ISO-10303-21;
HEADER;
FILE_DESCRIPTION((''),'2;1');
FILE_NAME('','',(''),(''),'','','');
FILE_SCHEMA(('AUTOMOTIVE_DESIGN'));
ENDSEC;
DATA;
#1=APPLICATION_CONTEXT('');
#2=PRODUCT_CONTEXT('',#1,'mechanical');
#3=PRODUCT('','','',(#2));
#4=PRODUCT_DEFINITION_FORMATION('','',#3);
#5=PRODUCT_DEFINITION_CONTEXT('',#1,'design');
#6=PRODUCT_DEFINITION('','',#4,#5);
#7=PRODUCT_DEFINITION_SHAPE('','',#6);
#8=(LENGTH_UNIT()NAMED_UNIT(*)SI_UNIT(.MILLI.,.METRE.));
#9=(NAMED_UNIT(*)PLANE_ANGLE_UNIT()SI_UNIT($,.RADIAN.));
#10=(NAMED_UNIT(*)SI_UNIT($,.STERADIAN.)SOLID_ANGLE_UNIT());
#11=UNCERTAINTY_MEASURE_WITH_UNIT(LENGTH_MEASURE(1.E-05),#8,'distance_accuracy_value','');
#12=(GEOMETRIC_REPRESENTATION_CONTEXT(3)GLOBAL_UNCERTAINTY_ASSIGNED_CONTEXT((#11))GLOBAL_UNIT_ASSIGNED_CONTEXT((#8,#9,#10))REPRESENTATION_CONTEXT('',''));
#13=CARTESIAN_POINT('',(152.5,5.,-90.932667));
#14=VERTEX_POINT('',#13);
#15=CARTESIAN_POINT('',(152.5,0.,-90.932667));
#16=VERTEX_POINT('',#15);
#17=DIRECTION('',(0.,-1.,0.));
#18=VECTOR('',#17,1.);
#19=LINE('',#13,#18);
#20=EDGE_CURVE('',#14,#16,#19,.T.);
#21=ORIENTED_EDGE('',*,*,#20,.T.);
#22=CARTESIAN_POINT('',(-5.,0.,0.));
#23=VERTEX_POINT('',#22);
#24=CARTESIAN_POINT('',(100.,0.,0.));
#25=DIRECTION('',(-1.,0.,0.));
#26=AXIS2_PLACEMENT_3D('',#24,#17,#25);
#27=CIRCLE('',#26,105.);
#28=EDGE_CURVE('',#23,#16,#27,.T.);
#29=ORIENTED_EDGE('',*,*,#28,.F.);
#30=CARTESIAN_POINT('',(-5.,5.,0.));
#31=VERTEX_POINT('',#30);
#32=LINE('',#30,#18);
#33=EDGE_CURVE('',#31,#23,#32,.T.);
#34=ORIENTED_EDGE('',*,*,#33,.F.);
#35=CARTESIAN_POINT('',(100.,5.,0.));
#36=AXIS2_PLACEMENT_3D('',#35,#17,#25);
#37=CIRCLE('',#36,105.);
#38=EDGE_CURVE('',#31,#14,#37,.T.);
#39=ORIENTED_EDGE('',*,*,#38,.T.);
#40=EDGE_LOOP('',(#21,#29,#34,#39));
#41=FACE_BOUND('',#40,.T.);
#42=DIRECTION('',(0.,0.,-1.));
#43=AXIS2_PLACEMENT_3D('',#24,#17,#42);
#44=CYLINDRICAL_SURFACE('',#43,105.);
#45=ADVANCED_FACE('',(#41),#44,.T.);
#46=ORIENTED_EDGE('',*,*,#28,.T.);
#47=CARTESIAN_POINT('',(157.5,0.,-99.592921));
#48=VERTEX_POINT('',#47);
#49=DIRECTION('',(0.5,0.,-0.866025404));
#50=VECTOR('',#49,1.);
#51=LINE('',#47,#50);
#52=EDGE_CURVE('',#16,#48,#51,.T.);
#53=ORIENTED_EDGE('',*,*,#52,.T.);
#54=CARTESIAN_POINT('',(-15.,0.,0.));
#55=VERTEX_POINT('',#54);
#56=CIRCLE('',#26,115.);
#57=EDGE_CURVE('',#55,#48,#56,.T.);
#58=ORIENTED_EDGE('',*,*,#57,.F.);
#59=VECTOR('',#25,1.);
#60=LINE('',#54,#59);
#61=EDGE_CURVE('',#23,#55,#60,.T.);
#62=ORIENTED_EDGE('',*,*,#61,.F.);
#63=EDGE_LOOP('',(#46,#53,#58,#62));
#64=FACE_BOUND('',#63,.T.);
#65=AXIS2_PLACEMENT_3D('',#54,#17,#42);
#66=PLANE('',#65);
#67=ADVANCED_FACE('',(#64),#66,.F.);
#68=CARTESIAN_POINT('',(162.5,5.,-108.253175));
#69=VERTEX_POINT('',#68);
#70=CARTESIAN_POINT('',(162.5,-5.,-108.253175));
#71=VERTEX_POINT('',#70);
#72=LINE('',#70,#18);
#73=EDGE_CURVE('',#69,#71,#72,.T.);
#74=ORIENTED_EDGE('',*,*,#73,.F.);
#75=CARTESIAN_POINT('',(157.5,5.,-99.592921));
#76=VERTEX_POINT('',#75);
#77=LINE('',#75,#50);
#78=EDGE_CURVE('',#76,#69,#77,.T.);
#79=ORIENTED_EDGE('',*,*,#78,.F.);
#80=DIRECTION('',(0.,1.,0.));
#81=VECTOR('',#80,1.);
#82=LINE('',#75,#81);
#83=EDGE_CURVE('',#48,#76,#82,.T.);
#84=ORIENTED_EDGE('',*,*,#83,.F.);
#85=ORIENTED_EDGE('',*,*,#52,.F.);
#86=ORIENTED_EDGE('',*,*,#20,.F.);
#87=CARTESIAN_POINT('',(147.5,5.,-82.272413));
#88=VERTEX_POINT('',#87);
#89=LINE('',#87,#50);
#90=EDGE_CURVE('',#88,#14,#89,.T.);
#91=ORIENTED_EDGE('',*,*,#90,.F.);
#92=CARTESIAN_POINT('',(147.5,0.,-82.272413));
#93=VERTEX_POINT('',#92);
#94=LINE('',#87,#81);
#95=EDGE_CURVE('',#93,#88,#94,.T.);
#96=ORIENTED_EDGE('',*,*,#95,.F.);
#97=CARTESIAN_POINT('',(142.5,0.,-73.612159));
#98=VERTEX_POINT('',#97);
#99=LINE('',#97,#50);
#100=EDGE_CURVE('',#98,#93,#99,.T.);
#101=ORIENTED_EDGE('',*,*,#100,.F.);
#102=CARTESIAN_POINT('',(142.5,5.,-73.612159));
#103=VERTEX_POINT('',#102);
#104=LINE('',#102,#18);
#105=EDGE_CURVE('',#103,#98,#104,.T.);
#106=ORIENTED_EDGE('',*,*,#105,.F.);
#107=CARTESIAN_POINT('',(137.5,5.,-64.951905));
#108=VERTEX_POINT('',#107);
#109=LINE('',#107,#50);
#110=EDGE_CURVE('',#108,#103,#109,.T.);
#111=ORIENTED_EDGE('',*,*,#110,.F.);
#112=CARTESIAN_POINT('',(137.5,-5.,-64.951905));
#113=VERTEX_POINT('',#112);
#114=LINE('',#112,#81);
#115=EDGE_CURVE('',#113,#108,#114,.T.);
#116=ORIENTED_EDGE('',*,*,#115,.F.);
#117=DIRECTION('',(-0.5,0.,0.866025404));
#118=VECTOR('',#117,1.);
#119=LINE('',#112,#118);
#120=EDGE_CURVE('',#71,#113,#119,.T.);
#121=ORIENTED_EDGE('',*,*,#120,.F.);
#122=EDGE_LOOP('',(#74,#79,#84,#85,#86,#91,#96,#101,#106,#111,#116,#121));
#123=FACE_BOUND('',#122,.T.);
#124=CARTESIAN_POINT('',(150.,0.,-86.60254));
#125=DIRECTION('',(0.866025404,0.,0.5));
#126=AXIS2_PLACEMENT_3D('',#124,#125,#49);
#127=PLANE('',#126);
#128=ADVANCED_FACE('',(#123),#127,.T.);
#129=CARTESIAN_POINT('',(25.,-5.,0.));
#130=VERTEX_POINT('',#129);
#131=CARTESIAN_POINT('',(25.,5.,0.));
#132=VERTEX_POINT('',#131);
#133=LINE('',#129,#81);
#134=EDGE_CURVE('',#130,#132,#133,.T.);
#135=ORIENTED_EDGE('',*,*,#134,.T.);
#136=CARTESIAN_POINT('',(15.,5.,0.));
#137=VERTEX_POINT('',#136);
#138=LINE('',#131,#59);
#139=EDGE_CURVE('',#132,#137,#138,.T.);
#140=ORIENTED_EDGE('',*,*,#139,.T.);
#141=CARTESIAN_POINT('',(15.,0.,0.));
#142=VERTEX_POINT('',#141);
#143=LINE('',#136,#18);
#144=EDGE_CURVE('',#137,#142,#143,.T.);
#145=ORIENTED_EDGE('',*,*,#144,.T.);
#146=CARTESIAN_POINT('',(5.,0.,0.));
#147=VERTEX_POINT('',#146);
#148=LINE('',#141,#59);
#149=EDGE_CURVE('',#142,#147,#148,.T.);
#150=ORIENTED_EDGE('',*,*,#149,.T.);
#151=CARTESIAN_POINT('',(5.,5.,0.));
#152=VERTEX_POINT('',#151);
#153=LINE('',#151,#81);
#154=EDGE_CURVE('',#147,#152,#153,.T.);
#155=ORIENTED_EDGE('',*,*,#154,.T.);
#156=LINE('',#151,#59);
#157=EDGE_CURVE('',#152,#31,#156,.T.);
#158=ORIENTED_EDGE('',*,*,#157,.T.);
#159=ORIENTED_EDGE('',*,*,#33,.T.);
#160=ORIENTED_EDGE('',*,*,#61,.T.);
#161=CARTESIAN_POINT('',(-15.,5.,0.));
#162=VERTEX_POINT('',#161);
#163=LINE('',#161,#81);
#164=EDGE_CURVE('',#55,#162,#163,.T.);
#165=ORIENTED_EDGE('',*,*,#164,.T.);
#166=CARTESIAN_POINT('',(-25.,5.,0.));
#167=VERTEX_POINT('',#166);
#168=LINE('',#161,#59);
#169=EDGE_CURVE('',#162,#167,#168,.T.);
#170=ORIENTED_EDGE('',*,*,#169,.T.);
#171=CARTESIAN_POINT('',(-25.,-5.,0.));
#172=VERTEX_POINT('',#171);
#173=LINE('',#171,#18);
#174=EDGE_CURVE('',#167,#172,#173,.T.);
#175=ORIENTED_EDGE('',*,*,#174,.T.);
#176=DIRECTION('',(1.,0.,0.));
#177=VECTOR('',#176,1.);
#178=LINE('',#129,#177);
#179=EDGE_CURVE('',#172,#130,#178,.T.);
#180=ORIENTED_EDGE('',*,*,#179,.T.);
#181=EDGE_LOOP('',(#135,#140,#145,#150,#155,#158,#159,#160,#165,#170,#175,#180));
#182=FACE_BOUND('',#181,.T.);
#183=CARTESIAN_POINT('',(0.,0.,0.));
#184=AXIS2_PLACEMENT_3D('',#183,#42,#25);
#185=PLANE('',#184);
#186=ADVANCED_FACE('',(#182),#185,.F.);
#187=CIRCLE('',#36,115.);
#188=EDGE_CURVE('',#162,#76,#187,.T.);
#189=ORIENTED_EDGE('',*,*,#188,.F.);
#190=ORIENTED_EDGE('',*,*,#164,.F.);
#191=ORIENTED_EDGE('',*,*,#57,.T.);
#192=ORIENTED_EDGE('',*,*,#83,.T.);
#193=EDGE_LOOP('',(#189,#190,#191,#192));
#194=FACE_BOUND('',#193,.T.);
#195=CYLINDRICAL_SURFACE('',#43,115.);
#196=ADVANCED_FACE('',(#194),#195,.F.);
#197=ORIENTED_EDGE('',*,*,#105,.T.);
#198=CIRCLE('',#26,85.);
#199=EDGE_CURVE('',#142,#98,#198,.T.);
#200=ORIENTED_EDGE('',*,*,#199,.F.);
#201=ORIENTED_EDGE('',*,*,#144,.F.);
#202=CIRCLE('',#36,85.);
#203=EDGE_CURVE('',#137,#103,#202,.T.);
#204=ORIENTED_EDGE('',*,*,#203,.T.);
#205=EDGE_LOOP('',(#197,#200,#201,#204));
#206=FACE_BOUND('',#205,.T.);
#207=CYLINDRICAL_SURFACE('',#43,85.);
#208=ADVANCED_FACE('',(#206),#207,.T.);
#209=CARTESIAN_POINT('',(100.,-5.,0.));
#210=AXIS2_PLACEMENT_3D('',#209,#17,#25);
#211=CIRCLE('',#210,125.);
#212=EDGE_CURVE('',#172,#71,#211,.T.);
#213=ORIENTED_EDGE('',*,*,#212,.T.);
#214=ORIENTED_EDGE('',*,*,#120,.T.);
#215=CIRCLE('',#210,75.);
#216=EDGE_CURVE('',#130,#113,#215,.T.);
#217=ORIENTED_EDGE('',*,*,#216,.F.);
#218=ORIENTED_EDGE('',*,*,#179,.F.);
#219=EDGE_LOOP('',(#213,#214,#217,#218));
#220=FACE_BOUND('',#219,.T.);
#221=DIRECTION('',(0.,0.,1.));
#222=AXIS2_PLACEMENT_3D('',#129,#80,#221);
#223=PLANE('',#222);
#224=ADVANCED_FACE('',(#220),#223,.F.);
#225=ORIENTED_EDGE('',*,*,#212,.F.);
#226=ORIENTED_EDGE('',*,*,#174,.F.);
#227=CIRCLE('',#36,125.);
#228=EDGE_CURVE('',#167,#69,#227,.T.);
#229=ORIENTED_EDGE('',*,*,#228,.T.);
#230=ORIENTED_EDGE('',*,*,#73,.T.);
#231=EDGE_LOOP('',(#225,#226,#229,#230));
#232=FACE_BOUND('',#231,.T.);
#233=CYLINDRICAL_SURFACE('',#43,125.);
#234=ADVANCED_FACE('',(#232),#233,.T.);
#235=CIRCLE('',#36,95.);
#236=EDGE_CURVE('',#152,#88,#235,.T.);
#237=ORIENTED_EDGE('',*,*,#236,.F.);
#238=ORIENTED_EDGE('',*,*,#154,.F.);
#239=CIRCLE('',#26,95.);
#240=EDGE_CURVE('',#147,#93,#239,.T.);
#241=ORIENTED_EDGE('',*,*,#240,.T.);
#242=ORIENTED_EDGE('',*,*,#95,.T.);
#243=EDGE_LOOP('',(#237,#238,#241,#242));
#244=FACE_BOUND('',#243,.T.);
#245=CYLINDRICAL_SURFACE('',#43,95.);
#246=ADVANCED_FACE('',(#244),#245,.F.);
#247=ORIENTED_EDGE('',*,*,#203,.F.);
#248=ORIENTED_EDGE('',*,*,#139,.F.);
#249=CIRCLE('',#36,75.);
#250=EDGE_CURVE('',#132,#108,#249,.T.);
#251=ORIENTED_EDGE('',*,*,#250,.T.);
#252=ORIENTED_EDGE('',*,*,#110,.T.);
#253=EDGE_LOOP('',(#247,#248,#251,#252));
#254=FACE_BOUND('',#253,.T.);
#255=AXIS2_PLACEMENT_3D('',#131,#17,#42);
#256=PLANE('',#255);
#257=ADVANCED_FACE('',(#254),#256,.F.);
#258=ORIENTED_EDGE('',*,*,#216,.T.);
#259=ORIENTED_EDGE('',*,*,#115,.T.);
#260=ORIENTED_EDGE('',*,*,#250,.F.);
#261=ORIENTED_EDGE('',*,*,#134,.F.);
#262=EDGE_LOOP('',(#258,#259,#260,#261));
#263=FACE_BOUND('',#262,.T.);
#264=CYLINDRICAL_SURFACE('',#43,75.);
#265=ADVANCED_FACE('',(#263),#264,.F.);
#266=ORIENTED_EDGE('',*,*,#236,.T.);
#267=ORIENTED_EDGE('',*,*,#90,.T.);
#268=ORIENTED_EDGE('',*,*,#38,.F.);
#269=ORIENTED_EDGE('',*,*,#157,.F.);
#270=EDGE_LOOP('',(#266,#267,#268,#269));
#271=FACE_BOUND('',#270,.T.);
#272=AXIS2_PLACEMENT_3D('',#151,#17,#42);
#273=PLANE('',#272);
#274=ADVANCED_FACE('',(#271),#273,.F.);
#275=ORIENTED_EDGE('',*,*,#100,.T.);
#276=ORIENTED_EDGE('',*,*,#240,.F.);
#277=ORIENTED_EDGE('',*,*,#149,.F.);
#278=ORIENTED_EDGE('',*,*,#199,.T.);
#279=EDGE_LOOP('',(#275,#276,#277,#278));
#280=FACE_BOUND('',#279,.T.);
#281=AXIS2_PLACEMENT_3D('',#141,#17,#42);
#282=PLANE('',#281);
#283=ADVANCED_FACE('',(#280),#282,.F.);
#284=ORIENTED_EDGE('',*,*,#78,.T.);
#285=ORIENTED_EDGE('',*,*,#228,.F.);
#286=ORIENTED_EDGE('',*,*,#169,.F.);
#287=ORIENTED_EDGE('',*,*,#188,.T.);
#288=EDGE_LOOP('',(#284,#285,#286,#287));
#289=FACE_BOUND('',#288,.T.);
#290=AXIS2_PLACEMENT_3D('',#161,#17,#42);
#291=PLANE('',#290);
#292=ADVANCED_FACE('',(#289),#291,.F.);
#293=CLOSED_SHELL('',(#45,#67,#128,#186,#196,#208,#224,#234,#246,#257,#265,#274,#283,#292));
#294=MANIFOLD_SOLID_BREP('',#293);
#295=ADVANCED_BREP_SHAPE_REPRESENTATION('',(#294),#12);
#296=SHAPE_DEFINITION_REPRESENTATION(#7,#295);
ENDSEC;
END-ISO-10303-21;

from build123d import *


with BuildPart() as part:
    # Sweep1: sweep along a path in Sketch2
    with BuildLine(Plane(origin=(0, 0, 0), x_dir=(1, 0, 0), z_dir=(0, 1, 0))) as sweep1_path:
        ThreePointArc((0, 0), (50, 86.602540378), (150, 86.602540378))
    # Sketch1 → Sweep1 (sweep)
    with BuildSketch(Plane.XY):
        Polygon((25, -5), (-25, -5), (-25, 5), (-15, 5), (-15, 0), (-5, 0), (-5, 5), (5, 5), (5, 0), (15, 0), (15, 5), (25, 5), align=None)
    sweep(path=sweep1_path.line)


solid = part.part
